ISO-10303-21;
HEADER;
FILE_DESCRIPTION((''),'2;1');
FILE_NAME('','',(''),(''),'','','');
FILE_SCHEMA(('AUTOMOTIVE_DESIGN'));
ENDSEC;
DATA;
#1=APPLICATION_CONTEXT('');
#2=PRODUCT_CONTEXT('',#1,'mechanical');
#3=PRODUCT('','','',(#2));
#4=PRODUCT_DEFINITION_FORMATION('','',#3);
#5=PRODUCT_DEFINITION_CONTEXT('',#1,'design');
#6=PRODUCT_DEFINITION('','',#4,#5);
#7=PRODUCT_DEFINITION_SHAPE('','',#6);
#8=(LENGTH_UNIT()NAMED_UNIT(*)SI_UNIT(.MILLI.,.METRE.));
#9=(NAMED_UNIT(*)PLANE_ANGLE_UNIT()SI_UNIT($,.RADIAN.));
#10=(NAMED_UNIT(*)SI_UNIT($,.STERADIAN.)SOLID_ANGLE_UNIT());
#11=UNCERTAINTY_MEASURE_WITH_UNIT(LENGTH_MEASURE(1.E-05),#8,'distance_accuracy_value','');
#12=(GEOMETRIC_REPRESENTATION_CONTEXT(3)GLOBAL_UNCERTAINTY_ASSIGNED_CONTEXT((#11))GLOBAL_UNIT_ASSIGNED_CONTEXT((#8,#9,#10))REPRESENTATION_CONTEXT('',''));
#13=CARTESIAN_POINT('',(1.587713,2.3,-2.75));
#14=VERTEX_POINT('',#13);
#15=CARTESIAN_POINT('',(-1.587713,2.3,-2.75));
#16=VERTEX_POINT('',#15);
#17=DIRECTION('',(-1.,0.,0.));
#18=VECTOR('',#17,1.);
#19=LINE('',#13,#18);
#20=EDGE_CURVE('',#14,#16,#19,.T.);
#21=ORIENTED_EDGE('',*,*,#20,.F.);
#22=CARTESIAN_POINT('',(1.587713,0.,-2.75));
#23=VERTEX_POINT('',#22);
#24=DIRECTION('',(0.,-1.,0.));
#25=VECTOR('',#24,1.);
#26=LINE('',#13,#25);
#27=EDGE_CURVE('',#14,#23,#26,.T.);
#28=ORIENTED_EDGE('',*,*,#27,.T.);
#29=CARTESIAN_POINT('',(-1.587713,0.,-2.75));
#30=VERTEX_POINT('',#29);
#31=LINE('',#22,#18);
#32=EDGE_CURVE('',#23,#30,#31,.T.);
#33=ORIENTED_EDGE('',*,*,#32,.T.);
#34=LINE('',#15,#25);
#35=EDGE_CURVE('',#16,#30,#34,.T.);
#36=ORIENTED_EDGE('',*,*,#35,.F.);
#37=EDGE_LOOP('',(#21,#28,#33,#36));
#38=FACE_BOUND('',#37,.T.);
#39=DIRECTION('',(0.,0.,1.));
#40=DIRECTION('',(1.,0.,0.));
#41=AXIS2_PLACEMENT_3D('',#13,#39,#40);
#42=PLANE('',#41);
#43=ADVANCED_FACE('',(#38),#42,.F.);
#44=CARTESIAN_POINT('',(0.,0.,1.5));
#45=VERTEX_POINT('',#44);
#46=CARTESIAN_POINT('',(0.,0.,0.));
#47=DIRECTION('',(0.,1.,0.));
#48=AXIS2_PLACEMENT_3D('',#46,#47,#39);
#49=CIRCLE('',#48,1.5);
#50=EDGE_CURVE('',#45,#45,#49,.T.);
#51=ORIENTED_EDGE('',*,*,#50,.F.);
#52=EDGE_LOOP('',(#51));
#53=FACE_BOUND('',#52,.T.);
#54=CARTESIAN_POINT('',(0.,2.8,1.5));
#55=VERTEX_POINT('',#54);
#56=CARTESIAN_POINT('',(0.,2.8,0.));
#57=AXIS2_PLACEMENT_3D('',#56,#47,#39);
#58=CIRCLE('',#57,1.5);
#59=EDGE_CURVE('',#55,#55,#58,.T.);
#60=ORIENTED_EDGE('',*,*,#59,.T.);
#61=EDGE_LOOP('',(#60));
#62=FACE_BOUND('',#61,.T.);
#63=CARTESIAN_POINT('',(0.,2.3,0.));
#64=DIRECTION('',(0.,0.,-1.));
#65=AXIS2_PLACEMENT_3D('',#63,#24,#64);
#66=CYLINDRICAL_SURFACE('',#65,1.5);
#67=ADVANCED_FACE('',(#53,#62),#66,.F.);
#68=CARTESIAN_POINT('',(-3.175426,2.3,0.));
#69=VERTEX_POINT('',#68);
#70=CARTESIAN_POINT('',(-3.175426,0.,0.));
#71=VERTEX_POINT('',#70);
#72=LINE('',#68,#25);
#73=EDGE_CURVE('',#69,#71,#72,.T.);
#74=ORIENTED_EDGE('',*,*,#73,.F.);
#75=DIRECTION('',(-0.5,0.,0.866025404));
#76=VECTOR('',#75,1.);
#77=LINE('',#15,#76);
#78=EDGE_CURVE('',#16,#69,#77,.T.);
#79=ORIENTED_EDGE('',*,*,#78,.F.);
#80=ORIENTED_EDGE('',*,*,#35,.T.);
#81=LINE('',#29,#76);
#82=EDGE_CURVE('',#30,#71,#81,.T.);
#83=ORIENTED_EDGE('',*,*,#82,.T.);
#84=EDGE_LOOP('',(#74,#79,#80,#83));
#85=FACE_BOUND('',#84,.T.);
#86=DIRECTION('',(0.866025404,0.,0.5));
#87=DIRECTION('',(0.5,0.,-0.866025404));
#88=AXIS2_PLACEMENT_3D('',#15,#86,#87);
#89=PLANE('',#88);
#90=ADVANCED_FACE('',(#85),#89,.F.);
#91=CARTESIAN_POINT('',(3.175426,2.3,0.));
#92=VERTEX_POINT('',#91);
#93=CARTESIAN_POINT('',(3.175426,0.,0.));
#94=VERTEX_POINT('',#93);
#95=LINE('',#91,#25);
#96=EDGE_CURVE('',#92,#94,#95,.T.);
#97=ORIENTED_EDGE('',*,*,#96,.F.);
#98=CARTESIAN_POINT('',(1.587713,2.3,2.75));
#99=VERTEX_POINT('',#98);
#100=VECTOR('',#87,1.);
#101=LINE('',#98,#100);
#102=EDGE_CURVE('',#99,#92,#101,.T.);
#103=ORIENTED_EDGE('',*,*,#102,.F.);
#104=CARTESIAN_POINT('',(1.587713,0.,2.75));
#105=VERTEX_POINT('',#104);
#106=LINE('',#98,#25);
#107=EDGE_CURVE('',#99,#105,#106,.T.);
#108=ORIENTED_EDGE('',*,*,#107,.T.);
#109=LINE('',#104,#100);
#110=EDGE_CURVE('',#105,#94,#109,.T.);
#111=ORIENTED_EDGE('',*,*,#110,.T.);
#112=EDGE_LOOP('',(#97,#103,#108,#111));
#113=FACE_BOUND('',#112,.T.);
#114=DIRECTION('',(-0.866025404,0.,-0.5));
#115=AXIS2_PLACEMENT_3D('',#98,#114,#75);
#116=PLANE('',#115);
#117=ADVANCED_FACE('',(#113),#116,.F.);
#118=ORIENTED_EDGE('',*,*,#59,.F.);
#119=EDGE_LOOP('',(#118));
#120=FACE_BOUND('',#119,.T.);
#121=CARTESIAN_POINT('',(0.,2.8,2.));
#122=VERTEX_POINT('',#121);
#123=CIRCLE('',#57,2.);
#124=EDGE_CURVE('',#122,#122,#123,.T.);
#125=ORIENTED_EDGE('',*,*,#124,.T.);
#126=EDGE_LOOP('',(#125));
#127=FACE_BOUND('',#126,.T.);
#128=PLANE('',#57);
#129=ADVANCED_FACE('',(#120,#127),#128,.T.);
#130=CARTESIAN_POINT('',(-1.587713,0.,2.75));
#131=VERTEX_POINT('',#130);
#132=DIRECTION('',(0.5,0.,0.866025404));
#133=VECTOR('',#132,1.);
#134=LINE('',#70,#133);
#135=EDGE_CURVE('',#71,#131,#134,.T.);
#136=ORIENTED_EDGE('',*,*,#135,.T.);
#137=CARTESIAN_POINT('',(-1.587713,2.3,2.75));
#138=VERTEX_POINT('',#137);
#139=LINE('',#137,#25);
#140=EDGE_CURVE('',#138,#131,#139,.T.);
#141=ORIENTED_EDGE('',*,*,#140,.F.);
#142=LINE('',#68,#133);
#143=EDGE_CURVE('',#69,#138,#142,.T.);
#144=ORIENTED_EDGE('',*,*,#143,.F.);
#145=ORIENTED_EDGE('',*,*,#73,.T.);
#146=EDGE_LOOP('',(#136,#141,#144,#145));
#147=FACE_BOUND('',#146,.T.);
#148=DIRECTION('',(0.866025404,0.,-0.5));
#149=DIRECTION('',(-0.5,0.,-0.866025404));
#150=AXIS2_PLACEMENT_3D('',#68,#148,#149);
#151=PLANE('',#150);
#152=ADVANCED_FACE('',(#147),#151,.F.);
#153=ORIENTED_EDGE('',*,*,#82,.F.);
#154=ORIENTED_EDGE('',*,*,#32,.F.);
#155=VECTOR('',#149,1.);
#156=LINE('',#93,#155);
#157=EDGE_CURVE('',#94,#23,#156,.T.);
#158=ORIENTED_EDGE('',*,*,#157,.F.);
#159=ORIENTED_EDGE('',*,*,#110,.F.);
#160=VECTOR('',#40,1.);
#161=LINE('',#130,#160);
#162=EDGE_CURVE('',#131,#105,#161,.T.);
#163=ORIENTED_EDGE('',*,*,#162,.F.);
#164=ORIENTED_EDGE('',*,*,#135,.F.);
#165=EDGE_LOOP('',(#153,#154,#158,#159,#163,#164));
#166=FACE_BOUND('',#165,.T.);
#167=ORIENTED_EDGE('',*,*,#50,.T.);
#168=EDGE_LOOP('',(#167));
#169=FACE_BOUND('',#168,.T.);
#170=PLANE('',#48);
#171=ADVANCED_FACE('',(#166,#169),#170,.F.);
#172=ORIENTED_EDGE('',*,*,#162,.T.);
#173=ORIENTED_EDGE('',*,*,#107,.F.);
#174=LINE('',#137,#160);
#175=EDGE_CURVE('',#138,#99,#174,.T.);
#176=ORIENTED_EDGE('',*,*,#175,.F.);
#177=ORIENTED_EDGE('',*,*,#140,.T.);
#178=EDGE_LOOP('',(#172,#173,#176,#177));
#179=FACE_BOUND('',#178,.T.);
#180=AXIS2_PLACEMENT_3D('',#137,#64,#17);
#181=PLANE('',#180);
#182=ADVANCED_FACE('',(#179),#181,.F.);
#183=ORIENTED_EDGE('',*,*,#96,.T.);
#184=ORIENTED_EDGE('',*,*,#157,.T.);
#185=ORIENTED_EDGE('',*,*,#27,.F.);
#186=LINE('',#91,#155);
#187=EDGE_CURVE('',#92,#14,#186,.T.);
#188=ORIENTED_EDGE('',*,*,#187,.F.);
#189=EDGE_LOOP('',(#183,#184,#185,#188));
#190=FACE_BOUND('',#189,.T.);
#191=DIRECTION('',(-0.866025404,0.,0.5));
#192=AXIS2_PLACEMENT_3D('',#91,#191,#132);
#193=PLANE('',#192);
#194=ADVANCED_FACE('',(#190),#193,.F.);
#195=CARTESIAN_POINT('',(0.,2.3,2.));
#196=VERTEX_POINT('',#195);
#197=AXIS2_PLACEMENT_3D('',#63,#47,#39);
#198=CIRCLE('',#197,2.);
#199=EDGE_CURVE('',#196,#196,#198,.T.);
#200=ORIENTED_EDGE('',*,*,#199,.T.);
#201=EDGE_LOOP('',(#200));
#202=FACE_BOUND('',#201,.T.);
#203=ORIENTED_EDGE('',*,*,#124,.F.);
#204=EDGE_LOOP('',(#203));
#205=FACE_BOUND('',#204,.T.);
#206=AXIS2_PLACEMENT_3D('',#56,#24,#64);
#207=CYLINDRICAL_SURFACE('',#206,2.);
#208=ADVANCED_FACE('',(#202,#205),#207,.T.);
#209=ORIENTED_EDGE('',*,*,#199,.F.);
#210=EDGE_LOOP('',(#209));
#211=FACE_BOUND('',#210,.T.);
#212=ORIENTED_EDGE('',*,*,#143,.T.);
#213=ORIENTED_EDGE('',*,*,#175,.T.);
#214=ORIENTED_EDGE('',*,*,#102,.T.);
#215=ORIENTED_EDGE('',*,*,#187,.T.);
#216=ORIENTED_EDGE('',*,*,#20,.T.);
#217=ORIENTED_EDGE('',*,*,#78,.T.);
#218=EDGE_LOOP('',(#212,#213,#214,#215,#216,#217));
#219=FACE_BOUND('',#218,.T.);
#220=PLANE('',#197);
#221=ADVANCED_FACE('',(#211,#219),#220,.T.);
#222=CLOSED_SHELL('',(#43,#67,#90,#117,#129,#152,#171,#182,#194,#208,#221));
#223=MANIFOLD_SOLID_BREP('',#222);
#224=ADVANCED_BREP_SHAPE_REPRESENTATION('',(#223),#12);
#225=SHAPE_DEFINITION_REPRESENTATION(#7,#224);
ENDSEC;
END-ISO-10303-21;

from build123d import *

# Parameters (mm, degrees)
SKETCH1_R           = 1.5
BOSS_EXTRUDE1_DEPTH = 2.3
SKETCH2_R           = 2
SKETCH2_R_2         = 1.5
BOSS_EXTRUDE2_DEPTH = 0.5


with BuildPart() as part:
    # Sketch1 → Boss-Extrude1 (new body)
    with BuildSketch(Plane(origin=(0, 0, 0), x_dir=(1, 0, 0), z_dir=(0, 1, 0))):
        Polygon((3.175426481, 0), (1.58771324, 2.75), (-1.58771324, 2.75), (-3.175426481, 0), (-1.58771324, -2.75), (1.58771324, -2.75), align=None)
        with Locations(Location((0, 0, 0), (0, 0, 270))):
            Circle(SKETCH1_R, mode=Mode.SUBTRACT)
    extrude(amount=BOSS_EXTRUDE1_DEPTH)

    # Sketch2 → Boss-Extrude2 (add)
    with BuildSketch(Plane(origin=(0, 2.3, 0), x_dir=(1, 0, 0), z_dir=(0, 1, 0))):
        with Locations(Location((0, 0, 0), (0, 0, 270))):
            Circle(SKETCH2_R)
        with Locations(Location((0, 0, 0), (0, 0, 270))):
            Circle(SKETCH2_R_2, mode=Mode.SUBTRACT)
    extrude(amount=BOSS_EXTRUDE2_DEPTH)


solid = part.part
